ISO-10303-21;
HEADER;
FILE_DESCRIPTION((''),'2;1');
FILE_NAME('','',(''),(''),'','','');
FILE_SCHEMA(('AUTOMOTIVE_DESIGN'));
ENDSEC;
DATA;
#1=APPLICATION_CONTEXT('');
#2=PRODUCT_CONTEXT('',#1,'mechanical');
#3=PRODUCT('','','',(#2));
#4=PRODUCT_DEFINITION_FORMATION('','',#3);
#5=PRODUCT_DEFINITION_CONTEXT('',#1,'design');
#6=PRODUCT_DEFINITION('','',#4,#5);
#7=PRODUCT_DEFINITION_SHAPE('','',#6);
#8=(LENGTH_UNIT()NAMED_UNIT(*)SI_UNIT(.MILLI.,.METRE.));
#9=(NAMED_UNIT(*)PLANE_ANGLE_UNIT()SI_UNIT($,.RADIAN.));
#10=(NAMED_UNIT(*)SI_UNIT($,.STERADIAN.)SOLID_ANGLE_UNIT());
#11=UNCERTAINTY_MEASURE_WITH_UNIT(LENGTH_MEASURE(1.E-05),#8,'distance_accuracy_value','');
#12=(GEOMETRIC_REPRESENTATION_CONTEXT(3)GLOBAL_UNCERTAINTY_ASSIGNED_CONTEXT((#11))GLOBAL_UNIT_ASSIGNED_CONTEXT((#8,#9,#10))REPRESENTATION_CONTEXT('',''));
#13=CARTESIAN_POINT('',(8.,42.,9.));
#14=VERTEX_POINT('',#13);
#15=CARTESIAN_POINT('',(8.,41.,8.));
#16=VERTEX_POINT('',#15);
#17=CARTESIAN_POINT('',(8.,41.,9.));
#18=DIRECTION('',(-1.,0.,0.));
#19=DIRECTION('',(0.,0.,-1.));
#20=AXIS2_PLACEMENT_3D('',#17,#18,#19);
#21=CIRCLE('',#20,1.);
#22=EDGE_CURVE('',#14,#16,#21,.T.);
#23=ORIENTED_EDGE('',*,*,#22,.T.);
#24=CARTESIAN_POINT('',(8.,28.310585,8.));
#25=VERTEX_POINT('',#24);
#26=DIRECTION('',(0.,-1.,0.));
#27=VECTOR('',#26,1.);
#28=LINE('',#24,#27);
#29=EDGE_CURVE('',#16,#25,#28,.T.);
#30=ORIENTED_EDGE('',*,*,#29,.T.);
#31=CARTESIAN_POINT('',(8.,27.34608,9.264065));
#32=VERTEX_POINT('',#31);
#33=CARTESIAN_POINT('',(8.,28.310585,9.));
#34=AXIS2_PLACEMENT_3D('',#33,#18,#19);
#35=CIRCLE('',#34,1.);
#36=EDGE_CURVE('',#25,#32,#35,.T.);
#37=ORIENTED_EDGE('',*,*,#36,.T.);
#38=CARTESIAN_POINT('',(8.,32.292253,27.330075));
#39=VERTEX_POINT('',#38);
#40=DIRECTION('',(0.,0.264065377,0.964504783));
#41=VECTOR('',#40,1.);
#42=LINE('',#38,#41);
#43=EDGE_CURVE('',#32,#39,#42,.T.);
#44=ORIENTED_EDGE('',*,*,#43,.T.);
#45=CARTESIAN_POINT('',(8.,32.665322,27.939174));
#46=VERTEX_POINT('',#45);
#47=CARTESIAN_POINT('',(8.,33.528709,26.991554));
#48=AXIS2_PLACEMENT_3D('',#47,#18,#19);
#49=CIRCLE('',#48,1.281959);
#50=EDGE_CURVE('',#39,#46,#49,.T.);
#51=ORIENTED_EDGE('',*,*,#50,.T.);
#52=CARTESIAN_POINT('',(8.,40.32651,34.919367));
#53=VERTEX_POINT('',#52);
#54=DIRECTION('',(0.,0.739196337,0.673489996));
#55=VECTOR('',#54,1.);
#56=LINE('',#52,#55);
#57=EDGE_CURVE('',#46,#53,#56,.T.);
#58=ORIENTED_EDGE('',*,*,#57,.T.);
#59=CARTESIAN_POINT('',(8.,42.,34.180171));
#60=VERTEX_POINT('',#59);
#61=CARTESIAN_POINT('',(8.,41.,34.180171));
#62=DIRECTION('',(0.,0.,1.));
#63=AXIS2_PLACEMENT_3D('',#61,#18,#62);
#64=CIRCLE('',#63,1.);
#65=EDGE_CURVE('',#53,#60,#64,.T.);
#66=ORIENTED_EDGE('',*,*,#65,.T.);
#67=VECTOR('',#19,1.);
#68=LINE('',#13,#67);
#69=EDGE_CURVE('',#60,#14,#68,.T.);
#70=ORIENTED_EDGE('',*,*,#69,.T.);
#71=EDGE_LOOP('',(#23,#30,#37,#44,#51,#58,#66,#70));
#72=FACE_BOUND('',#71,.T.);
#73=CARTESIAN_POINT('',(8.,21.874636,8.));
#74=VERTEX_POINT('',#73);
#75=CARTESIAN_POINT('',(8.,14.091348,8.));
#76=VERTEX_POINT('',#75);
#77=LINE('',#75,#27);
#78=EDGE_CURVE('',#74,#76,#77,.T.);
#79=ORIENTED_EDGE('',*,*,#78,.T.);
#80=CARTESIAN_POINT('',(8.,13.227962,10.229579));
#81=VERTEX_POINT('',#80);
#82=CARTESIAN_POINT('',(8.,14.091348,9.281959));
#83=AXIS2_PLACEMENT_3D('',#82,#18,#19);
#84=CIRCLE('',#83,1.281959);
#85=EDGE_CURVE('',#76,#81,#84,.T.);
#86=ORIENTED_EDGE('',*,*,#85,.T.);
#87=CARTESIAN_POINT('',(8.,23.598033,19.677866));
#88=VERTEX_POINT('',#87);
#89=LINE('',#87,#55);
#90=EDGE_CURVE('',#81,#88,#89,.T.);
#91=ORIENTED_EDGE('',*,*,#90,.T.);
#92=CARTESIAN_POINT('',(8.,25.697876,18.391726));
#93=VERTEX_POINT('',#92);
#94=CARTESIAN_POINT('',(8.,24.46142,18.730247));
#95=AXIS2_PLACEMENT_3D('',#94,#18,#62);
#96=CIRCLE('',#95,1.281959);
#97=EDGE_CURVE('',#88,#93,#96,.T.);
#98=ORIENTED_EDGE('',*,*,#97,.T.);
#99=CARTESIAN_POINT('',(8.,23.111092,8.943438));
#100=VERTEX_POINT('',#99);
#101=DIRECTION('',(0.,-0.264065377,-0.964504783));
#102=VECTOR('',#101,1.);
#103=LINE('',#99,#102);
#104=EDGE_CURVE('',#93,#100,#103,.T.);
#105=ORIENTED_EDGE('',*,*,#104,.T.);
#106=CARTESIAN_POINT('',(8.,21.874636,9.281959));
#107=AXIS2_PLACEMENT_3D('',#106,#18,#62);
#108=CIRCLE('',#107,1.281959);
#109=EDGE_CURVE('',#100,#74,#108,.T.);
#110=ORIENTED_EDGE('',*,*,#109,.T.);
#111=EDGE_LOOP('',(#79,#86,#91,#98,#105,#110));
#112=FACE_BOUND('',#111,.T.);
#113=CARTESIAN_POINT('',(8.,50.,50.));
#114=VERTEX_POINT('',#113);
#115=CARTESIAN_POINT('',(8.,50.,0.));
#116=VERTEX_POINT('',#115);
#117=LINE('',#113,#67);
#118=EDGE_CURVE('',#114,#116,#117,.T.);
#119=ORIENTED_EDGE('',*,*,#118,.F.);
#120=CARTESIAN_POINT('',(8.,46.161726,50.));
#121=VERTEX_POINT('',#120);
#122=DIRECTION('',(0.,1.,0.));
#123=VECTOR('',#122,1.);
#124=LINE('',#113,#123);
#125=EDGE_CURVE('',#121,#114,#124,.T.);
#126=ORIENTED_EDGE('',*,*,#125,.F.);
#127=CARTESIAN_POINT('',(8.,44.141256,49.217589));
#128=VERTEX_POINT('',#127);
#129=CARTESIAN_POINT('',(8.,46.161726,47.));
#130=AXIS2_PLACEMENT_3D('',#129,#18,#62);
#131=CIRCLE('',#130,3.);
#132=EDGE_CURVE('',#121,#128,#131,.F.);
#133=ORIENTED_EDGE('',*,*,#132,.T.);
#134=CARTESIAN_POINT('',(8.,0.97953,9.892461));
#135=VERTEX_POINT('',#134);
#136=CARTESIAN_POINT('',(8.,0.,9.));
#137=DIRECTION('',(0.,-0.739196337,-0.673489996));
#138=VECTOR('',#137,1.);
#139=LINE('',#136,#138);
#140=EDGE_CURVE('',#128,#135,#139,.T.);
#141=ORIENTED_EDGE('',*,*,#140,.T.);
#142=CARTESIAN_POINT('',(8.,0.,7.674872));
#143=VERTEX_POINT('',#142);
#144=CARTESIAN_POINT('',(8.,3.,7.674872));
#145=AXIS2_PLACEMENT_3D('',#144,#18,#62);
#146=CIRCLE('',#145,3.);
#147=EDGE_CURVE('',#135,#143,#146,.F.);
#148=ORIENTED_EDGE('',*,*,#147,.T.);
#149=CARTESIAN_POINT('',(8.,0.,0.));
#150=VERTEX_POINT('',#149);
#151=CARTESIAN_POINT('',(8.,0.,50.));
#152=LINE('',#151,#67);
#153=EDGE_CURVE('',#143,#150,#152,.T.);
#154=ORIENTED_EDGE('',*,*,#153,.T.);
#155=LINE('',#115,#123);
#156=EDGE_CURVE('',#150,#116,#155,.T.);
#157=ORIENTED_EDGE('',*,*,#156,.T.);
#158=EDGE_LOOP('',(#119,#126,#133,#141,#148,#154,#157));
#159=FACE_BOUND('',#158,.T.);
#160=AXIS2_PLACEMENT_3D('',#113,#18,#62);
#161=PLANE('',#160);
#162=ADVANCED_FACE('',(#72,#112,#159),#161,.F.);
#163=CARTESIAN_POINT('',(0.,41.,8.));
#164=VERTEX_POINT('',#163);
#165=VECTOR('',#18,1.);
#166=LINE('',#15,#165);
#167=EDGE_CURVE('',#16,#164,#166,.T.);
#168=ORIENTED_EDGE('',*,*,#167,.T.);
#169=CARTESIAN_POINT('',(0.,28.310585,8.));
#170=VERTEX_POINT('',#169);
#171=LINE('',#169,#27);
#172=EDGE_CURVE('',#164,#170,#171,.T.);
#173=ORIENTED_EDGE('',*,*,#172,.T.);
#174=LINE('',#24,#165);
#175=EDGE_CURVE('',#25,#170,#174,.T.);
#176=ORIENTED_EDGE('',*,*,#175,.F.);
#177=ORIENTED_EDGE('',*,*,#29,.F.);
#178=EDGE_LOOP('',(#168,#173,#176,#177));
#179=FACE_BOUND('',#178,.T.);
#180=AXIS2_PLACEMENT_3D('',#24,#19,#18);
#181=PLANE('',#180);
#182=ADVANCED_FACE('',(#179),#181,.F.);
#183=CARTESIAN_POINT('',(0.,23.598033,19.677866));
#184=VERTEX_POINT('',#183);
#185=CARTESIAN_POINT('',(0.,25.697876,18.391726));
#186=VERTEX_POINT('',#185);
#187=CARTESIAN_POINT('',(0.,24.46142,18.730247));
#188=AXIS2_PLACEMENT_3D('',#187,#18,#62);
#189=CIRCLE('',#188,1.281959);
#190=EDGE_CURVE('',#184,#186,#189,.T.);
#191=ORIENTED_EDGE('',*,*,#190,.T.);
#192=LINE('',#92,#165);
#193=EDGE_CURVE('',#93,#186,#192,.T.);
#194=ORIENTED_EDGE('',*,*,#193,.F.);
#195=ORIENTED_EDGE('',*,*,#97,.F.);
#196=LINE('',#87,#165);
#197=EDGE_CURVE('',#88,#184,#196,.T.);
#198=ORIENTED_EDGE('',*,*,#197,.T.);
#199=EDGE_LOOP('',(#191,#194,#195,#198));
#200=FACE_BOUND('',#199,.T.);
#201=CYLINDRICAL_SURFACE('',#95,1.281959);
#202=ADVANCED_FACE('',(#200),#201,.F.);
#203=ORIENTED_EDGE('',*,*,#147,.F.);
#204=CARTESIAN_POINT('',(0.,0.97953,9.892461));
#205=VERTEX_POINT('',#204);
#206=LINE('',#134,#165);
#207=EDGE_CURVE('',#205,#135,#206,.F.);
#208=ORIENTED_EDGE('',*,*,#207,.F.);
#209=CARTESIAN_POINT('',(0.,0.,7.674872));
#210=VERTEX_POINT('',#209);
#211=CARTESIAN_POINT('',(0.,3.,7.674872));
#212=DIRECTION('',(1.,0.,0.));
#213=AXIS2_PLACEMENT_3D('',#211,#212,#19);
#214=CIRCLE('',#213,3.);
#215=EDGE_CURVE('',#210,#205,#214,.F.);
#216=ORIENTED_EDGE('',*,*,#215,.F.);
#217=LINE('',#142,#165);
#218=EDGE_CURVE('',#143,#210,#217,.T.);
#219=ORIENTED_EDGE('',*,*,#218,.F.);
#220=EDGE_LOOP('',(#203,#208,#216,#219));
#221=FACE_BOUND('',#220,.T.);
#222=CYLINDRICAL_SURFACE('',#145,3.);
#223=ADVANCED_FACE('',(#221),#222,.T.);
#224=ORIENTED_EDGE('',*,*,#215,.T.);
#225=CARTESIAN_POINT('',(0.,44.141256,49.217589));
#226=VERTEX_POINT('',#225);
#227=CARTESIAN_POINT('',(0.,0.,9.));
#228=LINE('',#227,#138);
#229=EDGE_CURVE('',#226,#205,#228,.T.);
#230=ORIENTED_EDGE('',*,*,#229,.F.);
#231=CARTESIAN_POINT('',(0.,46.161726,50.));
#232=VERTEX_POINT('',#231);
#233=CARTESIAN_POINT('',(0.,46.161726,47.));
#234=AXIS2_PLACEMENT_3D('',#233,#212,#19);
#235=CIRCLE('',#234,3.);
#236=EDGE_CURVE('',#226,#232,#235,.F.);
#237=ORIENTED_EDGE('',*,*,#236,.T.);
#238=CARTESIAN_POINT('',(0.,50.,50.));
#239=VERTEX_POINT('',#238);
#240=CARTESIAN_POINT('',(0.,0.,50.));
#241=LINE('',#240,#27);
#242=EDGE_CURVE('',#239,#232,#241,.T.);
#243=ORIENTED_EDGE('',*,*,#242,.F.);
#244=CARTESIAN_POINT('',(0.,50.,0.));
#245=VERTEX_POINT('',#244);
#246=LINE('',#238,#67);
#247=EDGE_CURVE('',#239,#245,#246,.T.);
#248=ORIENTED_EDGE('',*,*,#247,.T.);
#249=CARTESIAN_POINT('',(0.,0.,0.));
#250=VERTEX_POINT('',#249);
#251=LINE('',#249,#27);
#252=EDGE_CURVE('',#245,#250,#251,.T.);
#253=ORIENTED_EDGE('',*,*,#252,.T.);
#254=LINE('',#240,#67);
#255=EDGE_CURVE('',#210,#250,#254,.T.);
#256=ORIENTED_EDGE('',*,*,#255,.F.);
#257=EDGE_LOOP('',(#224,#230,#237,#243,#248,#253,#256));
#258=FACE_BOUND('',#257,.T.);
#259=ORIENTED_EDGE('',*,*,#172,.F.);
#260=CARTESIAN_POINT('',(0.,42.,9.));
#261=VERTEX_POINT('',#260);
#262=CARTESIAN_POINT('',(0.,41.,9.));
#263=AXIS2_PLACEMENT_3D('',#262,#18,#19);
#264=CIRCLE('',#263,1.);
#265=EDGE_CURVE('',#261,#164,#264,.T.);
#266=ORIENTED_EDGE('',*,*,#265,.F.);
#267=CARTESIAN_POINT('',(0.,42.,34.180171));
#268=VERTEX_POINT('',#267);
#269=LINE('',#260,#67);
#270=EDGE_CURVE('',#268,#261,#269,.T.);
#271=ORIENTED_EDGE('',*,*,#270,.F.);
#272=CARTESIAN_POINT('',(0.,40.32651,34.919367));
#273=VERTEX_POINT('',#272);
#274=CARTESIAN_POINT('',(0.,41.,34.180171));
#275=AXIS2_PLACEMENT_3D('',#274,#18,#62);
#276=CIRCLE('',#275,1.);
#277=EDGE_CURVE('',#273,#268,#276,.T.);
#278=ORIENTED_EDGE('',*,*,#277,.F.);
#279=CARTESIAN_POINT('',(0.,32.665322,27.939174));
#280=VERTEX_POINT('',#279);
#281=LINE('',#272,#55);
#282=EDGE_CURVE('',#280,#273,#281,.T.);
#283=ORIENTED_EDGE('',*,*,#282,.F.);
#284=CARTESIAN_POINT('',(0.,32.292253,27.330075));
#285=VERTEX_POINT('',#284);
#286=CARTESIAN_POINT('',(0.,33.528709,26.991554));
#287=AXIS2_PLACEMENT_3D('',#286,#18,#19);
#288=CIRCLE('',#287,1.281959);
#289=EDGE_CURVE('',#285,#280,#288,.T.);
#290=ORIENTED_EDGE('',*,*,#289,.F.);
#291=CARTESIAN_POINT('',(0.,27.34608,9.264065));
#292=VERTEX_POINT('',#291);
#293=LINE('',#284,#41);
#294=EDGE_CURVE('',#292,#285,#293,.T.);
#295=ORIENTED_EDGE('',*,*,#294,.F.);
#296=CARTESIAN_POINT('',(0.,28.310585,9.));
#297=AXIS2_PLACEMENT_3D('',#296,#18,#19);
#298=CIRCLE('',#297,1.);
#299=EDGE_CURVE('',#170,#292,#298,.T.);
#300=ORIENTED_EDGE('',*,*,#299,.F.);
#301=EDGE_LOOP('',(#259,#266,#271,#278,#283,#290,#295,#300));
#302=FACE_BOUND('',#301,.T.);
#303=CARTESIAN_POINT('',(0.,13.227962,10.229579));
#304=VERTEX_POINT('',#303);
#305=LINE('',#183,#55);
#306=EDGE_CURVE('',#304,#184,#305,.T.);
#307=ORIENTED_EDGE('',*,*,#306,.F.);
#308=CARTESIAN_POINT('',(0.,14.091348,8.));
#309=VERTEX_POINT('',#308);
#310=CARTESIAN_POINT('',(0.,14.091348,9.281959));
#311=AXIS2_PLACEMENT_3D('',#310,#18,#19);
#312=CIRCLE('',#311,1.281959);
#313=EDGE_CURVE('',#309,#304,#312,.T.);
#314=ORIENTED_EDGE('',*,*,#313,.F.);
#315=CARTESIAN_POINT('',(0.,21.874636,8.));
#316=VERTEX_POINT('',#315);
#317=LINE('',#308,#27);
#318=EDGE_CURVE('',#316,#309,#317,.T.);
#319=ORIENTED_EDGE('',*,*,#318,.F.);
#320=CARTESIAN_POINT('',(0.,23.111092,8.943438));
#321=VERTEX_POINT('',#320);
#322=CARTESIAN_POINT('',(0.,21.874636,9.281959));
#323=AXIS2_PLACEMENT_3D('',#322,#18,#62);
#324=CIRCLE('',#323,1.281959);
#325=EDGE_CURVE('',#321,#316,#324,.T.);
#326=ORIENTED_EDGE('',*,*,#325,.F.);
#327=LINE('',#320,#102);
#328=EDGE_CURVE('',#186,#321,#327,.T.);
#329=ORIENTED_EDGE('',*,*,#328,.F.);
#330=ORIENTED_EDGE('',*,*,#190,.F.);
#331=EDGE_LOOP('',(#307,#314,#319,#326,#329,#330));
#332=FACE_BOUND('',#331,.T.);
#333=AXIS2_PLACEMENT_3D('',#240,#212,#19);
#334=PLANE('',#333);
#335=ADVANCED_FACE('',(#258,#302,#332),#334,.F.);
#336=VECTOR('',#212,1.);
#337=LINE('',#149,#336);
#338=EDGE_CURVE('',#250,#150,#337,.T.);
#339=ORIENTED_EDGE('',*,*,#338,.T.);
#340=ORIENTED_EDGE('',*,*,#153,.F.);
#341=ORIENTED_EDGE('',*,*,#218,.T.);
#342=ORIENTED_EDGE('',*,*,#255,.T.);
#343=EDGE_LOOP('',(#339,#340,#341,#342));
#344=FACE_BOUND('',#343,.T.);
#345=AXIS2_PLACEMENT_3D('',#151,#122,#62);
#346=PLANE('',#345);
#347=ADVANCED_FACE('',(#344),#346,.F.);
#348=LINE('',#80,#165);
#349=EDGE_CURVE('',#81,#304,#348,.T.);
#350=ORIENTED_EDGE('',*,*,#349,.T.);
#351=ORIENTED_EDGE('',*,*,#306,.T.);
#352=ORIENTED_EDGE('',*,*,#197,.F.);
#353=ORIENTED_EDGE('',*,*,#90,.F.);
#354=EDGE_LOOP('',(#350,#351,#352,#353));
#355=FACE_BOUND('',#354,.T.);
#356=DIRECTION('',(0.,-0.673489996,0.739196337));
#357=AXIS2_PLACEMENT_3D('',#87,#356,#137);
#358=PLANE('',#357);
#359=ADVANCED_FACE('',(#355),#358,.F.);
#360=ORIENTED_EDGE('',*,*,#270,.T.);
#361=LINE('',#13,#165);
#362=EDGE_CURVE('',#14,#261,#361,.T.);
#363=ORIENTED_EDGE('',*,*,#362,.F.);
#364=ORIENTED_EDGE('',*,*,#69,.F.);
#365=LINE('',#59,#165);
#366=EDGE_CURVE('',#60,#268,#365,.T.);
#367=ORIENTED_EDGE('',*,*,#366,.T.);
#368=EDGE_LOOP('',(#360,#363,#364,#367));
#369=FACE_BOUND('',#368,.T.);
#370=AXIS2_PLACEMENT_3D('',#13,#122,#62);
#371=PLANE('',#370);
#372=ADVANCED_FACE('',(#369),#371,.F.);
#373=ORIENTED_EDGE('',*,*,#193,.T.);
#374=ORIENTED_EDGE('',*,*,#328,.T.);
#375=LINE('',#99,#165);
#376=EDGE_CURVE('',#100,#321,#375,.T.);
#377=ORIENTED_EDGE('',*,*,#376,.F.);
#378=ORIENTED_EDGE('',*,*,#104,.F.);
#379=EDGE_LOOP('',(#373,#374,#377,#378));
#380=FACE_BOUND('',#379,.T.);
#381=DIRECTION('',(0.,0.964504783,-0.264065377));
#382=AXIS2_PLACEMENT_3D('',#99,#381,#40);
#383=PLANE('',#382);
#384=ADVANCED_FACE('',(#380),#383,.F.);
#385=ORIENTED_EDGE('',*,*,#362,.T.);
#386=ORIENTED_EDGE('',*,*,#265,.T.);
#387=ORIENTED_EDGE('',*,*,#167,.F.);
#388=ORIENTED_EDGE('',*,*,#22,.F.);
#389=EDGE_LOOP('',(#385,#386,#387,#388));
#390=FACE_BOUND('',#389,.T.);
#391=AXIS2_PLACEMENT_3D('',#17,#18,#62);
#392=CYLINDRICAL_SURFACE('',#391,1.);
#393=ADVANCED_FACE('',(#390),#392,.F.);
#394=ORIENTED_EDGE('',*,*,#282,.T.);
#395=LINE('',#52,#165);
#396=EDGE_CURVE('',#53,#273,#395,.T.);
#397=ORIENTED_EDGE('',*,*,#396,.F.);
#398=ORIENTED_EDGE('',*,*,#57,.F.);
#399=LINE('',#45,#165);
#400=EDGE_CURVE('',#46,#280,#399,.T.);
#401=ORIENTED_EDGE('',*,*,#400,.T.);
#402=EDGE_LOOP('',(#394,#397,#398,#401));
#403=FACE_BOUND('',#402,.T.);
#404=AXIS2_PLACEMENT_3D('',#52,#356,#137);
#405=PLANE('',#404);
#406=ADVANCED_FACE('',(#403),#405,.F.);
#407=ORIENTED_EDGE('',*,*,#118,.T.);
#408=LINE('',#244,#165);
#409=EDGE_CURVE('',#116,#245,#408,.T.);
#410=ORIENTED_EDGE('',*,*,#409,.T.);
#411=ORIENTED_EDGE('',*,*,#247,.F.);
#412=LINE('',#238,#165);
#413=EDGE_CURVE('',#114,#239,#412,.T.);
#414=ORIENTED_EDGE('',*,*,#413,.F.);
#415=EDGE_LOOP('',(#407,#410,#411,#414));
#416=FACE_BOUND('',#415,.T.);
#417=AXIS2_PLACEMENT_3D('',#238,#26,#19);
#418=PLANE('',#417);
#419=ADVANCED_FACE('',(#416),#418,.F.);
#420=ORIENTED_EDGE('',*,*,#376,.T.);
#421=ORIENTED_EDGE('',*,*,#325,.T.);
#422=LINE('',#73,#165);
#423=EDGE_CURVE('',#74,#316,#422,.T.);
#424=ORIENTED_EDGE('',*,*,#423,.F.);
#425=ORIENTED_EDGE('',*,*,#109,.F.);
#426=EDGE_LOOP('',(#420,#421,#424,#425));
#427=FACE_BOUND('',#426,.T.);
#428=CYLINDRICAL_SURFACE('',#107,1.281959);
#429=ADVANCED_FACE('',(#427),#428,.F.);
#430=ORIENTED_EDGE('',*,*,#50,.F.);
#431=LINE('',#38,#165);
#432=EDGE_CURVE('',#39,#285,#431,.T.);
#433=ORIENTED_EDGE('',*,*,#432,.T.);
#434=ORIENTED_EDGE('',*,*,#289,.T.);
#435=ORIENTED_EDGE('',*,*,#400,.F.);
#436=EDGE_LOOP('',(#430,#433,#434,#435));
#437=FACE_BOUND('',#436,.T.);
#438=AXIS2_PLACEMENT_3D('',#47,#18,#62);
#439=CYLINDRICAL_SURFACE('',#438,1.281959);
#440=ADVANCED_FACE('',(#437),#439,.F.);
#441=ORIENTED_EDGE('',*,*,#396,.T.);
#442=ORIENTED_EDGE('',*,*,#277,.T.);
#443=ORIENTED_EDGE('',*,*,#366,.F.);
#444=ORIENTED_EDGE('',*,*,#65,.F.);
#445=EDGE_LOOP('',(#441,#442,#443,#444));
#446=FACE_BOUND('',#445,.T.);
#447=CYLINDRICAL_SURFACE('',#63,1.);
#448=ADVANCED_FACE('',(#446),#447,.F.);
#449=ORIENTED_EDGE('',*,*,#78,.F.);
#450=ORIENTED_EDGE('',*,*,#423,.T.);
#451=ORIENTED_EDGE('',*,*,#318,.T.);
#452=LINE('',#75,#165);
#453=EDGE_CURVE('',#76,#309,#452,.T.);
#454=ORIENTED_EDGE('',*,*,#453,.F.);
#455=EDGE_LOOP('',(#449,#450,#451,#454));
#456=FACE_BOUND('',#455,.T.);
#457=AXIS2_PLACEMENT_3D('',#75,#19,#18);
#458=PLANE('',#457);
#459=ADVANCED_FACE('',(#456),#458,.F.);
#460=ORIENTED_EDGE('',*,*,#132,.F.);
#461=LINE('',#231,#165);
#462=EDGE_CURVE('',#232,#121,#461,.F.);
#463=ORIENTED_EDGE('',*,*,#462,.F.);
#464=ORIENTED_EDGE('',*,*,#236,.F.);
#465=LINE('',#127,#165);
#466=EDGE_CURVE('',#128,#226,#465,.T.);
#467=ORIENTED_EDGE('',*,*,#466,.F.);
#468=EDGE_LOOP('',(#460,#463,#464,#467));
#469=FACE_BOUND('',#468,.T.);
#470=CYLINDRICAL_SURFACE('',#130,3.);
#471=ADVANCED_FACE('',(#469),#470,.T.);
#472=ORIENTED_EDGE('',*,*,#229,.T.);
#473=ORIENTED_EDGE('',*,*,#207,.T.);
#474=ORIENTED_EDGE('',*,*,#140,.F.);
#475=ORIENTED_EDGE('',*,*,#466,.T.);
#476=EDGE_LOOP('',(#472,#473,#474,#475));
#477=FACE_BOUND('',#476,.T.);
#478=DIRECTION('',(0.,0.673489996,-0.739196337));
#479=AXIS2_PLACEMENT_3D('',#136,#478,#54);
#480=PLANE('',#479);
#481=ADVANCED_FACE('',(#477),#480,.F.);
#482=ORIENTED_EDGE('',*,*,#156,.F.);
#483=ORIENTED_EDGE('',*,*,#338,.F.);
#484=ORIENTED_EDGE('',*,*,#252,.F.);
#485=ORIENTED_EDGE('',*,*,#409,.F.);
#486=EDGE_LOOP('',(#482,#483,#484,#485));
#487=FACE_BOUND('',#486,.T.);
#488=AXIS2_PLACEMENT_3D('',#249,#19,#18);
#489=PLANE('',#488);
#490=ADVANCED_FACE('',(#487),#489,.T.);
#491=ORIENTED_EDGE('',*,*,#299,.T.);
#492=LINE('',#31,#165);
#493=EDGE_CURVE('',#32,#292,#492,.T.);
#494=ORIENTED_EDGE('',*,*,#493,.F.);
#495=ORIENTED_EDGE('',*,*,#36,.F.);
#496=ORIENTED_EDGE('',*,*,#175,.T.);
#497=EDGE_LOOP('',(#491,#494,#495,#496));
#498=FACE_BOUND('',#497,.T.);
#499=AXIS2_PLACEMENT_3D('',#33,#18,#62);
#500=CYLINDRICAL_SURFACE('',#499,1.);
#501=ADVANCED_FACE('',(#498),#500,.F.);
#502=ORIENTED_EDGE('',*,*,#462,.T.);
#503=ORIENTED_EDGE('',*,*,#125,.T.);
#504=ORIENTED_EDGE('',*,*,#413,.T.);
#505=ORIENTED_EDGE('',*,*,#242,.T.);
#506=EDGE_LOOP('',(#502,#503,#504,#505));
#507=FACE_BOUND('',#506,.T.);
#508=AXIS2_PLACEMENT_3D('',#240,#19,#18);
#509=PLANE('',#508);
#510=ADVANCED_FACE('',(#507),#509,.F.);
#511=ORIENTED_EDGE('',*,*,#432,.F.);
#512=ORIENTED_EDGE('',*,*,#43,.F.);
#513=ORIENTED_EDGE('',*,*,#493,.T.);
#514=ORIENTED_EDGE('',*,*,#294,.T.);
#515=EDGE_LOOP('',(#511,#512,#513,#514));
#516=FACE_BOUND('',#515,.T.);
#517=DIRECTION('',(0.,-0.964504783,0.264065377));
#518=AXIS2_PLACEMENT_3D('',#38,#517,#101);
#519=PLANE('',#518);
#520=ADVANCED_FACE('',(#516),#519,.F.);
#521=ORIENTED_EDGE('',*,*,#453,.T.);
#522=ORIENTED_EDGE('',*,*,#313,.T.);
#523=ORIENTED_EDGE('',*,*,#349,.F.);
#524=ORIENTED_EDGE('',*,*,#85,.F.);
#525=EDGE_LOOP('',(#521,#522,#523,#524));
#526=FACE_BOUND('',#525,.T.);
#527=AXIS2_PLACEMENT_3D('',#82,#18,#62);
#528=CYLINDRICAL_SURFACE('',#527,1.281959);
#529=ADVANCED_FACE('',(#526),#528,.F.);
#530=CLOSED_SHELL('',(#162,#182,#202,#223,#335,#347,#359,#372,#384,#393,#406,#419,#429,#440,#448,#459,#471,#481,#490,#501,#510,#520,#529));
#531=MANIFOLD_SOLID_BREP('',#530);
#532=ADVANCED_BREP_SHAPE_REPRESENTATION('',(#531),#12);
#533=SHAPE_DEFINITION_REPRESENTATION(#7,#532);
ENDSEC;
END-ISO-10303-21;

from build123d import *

# Parameters (mm, degrees)
SKETCH1_W           = 8
SKETCH1_H           = 50
BOSS_EXTRUDE1_DEPTH = 50
CUT_EXTRUDE1_DEPTH  = 72.161787499
FILLET1_R           = 3


with BuildPart() as part:
    # Sketch1 → Boss-Extrude1 (new body)
    with BuildSketch(Plane.XY):
        with Locations((4, 25)):
            Rectangle(SKETCH1_W, SKETCH1_H)
    extrude(amount=BOSS_EXTRUDE1_DEPTH)

    # Sketch2 → Cut-Extrude1 (cut, through all)
    with BuildSketch(Plane.ZY):
        Polygon((9, 0), (50, 45), (50, 0), align=None)
        with BuildLine():
            Line((34.919366889, 40.326510004), (27.939173676, 32.665322332))
            ThreePointArc((27.939173676, 32.665322332), (27.661132031, 32.43550968), (27.330075217, 32.292253277))
            Line((27.330075217, 32.292253277), (9.264065377, 27.346080088))
            ThreePointArc((9.264065377, 27.346080088), (8.393396908, 27.515580036), (8, 28.310584871))
            Line((8, 28.310584871), (8, 41))
            ThreePointArc((8, 41), (8.292893219, 41.707106781), (9, 42))
            Line((9, 42), (34.180170551, 42))
            ThreePointArc((34.180170551, 42), (35.094908218, 41.404048267), (34.919366889, 40.326510004))
        make_face()
        with BuildLine():
            Line((19.677865993, 23.598033411), (10.229578577, 13.227961857))
            ThreePointArc((10.229578577, 13.227961857), (8.819028368, 12.895892811), (8, 14.091348489))
            Line((8, 14.091348489), (8, 21.874636004))
            ThreePointArc((8, 21.874636004), (8.262795417, 22.65227636), (8.943438089, 23.111091691))
            Line((8.943438089, 23.111091691), (18.391725505, 25.697875729))
            ThreePointArc((18.391725505, 25.697875729), (19.823445803, 25.130997871), (19.677865993, 23.598033411))
        make_face()
    extrude(amount=-CUT_EXTRUDE1_DEPTH, mode=Mode.SUBTRACT)

    # Fillet1
    fillet1_edges = [part.edges().sort_by_distance(p)[0] for p in [
        (4, 0, 9),
        (4, 45, 50),
    ]]
    fillet(fillet1_edges, radius=FILLET1_R)


solid = part.part
